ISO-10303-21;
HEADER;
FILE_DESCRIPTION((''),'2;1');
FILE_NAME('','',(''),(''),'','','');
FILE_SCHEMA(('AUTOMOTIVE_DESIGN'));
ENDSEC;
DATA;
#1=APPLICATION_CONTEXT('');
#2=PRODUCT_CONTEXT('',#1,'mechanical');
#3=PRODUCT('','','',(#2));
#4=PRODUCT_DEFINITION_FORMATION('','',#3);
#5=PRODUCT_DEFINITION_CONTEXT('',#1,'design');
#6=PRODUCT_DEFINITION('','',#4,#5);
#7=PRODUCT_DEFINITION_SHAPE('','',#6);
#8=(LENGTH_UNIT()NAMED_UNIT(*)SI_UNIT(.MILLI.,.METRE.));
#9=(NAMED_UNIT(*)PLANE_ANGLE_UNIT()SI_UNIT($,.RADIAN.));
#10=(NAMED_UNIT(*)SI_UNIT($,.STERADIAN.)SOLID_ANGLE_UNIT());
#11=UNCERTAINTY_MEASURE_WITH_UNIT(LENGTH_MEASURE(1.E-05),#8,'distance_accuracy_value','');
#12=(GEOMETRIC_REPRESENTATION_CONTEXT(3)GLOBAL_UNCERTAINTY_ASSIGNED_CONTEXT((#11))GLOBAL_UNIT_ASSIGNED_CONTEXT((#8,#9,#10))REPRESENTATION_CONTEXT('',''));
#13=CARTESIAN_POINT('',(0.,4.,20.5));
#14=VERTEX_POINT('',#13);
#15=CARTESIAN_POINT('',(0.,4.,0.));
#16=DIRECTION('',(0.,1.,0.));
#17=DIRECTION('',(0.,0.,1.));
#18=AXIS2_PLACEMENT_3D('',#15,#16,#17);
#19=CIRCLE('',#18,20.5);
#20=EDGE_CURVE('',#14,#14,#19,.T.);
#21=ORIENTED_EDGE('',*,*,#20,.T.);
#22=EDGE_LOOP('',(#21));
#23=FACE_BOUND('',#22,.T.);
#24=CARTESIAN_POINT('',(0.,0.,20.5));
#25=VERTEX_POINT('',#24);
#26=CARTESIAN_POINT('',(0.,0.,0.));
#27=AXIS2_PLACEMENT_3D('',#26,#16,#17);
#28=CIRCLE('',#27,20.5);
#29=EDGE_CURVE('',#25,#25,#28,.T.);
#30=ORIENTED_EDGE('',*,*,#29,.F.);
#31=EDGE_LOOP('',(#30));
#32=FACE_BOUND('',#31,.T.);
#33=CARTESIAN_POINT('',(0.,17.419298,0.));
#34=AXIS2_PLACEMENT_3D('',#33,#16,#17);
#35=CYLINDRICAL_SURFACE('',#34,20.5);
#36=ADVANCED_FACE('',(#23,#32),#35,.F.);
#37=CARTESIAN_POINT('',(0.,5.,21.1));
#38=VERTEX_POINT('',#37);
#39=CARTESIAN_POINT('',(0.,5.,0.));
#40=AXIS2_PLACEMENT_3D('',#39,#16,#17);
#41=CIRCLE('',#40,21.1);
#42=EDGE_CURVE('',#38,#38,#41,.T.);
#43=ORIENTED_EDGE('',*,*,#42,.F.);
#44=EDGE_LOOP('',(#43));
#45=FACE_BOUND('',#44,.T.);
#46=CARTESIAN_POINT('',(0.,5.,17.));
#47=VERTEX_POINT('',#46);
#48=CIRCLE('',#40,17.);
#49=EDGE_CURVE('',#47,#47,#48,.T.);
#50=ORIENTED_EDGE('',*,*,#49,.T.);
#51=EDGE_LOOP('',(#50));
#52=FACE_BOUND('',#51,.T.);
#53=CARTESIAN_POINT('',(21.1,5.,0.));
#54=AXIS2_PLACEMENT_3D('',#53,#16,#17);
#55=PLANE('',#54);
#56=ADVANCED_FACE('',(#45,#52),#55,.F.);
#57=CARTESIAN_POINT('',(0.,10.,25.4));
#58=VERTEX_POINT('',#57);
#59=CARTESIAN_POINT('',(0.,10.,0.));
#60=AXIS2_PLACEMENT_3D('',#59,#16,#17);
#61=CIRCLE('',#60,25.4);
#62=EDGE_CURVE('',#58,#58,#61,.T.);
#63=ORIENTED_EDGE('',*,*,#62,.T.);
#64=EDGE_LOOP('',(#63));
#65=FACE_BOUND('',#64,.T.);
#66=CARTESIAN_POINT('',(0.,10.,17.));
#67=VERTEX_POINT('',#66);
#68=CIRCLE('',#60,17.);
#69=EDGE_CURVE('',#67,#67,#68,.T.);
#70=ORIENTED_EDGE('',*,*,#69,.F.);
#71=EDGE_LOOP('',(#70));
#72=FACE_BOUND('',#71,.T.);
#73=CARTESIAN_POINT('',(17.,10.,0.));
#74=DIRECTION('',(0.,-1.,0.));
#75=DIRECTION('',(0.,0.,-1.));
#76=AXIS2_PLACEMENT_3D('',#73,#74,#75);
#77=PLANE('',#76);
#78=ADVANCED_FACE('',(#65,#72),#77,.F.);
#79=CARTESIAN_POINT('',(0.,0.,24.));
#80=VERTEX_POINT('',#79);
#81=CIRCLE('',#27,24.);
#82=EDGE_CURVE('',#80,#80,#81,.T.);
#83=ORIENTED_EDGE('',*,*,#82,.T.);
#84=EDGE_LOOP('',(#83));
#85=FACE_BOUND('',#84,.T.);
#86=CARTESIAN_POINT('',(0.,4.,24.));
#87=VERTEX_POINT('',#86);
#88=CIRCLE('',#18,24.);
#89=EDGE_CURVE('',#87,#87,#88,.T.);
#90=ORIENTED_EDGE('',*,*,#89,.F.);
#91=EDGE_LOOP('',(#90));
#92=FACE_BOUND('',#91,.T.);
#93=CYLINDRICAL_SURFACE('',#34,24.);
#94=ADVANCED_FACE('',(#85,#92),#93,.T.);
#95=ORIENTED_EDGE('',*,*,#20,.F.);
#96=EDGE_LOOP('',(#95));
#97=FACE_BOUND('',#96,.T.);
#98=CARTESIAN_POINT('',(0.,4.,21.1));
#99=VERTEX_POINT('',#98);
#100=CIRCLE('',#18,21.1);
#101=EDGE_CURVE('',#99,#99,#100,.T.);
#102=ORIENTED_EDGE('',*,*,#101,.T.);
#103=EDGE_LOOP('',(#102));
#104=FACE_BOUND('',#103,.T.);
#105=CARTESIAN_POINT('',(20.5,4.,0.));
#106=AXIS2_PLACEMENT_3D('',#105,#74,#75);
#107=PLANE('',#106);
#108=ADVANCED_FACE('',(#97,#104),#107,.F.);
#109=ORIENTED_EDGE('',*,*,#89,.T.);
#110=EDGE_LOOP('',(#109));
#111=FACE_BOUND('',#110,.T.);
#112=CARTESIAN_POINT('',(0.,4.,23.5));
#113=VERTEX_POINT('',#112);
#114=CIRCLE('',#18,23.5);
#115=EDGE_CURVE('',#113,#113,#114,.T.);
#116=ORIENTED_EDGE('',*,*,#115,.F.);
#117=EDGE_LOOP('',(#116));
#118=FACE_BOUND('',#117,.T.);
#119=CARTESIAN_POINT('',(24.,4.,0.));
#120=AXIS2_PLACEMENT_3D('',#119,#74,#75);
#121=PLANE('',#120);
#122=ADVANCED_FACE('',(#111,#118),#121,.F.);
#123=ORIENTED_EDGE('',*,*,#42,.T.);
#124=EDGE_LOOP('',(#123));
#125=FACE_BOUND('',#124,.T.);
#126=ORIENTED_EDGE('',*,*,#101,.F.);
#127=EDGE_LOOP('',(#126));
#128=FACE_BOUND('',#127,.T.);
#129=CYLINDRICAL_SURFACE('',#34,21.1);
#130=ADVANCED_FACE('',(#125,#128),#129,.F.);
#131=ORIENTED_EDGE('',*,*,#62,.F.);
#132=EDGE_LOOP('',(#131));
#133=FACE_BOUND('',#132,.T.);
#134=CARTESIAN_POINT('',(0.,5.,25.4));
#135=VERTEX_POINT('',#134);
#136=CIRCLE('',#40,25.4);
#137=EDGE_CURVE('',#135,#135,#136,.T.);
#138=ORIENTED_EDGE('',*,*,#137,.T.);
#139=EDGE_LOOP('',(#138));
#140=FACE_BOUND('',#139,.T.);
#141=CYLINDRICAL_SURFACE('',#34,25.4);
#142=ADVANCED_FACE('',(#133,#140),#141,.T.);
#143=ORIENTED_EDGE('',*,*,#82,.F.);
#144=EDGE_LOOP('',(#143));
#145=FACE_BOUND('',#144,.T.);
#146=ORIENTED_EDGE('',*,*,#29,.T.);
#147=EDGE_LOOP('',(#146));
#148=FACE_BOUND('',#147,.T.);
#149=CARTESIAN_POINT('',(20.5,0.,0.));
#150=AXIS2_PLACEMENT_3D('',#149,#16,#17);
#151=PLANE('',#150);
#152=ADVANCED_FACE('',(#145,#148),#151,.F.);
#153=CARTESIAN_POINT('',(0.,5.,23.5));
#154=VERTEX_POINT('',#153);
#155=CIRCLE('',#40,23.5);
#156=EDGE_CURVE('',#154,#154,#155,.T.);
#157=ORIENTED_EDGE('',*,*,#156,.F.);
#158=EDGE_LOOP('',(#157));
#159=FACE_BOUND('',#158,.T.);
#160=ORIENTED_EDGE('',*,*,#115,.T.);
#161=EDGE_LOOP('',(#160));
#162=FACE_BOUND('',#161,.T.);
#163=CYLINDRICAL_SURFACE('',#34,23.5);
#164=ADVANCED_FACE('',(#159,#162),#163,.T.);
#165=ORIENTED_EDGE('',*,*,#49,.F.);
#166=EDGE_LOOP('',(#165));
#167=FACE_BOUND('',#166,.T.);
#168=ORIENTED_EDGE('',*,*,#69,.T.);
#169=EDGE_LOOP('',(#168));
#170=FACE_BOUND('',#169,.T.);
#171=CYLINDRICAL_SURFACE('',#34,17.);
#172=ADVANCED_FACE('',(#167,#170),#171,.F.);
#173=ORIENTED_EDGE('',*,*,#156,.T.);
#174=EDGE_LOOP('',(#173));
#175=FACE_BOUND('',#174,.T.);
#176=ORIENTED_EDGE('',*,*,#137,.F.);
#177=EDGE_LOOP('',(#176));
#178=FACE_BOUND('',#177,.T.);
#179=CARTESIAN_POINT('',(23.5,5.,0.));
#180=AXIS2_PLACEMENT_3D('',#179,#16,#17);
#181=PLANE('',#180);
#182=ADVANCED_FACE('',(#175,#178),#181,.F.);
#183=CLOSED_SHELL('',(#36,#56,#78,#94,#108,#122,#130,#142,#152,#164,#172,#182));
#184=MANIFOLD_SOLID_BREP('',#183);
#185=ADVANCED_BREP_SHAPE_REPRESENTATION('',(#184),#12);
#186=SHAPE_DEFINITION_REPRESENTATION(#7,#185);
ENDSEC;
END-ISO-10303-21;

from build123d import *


with BuildPart() as part:
    # 草图1 → 旋转1 (revolve)
    with BuildSketch(Plane.XY, mode=Mode.PRIVATE) as revolve_1_sk:
        Polygon((20.5, 0), (20.5, 4), (21.1, 4), (21.1, 5), (17, 5), (17, 10), (25.4, 10), (25.4, 5), (23.5, 5), (23.5, 4), (24, 4), (24, 0), align=None)
    revolve(revolve_1_sk.sketch.rotate(Axis((0, 17.419298318, 0), (0, -1, 0)), 90), axis=Axis((0, 17.419298318, 0), (0, -1, 0)))  # turned: the seam where the file's is


solid = part.part
